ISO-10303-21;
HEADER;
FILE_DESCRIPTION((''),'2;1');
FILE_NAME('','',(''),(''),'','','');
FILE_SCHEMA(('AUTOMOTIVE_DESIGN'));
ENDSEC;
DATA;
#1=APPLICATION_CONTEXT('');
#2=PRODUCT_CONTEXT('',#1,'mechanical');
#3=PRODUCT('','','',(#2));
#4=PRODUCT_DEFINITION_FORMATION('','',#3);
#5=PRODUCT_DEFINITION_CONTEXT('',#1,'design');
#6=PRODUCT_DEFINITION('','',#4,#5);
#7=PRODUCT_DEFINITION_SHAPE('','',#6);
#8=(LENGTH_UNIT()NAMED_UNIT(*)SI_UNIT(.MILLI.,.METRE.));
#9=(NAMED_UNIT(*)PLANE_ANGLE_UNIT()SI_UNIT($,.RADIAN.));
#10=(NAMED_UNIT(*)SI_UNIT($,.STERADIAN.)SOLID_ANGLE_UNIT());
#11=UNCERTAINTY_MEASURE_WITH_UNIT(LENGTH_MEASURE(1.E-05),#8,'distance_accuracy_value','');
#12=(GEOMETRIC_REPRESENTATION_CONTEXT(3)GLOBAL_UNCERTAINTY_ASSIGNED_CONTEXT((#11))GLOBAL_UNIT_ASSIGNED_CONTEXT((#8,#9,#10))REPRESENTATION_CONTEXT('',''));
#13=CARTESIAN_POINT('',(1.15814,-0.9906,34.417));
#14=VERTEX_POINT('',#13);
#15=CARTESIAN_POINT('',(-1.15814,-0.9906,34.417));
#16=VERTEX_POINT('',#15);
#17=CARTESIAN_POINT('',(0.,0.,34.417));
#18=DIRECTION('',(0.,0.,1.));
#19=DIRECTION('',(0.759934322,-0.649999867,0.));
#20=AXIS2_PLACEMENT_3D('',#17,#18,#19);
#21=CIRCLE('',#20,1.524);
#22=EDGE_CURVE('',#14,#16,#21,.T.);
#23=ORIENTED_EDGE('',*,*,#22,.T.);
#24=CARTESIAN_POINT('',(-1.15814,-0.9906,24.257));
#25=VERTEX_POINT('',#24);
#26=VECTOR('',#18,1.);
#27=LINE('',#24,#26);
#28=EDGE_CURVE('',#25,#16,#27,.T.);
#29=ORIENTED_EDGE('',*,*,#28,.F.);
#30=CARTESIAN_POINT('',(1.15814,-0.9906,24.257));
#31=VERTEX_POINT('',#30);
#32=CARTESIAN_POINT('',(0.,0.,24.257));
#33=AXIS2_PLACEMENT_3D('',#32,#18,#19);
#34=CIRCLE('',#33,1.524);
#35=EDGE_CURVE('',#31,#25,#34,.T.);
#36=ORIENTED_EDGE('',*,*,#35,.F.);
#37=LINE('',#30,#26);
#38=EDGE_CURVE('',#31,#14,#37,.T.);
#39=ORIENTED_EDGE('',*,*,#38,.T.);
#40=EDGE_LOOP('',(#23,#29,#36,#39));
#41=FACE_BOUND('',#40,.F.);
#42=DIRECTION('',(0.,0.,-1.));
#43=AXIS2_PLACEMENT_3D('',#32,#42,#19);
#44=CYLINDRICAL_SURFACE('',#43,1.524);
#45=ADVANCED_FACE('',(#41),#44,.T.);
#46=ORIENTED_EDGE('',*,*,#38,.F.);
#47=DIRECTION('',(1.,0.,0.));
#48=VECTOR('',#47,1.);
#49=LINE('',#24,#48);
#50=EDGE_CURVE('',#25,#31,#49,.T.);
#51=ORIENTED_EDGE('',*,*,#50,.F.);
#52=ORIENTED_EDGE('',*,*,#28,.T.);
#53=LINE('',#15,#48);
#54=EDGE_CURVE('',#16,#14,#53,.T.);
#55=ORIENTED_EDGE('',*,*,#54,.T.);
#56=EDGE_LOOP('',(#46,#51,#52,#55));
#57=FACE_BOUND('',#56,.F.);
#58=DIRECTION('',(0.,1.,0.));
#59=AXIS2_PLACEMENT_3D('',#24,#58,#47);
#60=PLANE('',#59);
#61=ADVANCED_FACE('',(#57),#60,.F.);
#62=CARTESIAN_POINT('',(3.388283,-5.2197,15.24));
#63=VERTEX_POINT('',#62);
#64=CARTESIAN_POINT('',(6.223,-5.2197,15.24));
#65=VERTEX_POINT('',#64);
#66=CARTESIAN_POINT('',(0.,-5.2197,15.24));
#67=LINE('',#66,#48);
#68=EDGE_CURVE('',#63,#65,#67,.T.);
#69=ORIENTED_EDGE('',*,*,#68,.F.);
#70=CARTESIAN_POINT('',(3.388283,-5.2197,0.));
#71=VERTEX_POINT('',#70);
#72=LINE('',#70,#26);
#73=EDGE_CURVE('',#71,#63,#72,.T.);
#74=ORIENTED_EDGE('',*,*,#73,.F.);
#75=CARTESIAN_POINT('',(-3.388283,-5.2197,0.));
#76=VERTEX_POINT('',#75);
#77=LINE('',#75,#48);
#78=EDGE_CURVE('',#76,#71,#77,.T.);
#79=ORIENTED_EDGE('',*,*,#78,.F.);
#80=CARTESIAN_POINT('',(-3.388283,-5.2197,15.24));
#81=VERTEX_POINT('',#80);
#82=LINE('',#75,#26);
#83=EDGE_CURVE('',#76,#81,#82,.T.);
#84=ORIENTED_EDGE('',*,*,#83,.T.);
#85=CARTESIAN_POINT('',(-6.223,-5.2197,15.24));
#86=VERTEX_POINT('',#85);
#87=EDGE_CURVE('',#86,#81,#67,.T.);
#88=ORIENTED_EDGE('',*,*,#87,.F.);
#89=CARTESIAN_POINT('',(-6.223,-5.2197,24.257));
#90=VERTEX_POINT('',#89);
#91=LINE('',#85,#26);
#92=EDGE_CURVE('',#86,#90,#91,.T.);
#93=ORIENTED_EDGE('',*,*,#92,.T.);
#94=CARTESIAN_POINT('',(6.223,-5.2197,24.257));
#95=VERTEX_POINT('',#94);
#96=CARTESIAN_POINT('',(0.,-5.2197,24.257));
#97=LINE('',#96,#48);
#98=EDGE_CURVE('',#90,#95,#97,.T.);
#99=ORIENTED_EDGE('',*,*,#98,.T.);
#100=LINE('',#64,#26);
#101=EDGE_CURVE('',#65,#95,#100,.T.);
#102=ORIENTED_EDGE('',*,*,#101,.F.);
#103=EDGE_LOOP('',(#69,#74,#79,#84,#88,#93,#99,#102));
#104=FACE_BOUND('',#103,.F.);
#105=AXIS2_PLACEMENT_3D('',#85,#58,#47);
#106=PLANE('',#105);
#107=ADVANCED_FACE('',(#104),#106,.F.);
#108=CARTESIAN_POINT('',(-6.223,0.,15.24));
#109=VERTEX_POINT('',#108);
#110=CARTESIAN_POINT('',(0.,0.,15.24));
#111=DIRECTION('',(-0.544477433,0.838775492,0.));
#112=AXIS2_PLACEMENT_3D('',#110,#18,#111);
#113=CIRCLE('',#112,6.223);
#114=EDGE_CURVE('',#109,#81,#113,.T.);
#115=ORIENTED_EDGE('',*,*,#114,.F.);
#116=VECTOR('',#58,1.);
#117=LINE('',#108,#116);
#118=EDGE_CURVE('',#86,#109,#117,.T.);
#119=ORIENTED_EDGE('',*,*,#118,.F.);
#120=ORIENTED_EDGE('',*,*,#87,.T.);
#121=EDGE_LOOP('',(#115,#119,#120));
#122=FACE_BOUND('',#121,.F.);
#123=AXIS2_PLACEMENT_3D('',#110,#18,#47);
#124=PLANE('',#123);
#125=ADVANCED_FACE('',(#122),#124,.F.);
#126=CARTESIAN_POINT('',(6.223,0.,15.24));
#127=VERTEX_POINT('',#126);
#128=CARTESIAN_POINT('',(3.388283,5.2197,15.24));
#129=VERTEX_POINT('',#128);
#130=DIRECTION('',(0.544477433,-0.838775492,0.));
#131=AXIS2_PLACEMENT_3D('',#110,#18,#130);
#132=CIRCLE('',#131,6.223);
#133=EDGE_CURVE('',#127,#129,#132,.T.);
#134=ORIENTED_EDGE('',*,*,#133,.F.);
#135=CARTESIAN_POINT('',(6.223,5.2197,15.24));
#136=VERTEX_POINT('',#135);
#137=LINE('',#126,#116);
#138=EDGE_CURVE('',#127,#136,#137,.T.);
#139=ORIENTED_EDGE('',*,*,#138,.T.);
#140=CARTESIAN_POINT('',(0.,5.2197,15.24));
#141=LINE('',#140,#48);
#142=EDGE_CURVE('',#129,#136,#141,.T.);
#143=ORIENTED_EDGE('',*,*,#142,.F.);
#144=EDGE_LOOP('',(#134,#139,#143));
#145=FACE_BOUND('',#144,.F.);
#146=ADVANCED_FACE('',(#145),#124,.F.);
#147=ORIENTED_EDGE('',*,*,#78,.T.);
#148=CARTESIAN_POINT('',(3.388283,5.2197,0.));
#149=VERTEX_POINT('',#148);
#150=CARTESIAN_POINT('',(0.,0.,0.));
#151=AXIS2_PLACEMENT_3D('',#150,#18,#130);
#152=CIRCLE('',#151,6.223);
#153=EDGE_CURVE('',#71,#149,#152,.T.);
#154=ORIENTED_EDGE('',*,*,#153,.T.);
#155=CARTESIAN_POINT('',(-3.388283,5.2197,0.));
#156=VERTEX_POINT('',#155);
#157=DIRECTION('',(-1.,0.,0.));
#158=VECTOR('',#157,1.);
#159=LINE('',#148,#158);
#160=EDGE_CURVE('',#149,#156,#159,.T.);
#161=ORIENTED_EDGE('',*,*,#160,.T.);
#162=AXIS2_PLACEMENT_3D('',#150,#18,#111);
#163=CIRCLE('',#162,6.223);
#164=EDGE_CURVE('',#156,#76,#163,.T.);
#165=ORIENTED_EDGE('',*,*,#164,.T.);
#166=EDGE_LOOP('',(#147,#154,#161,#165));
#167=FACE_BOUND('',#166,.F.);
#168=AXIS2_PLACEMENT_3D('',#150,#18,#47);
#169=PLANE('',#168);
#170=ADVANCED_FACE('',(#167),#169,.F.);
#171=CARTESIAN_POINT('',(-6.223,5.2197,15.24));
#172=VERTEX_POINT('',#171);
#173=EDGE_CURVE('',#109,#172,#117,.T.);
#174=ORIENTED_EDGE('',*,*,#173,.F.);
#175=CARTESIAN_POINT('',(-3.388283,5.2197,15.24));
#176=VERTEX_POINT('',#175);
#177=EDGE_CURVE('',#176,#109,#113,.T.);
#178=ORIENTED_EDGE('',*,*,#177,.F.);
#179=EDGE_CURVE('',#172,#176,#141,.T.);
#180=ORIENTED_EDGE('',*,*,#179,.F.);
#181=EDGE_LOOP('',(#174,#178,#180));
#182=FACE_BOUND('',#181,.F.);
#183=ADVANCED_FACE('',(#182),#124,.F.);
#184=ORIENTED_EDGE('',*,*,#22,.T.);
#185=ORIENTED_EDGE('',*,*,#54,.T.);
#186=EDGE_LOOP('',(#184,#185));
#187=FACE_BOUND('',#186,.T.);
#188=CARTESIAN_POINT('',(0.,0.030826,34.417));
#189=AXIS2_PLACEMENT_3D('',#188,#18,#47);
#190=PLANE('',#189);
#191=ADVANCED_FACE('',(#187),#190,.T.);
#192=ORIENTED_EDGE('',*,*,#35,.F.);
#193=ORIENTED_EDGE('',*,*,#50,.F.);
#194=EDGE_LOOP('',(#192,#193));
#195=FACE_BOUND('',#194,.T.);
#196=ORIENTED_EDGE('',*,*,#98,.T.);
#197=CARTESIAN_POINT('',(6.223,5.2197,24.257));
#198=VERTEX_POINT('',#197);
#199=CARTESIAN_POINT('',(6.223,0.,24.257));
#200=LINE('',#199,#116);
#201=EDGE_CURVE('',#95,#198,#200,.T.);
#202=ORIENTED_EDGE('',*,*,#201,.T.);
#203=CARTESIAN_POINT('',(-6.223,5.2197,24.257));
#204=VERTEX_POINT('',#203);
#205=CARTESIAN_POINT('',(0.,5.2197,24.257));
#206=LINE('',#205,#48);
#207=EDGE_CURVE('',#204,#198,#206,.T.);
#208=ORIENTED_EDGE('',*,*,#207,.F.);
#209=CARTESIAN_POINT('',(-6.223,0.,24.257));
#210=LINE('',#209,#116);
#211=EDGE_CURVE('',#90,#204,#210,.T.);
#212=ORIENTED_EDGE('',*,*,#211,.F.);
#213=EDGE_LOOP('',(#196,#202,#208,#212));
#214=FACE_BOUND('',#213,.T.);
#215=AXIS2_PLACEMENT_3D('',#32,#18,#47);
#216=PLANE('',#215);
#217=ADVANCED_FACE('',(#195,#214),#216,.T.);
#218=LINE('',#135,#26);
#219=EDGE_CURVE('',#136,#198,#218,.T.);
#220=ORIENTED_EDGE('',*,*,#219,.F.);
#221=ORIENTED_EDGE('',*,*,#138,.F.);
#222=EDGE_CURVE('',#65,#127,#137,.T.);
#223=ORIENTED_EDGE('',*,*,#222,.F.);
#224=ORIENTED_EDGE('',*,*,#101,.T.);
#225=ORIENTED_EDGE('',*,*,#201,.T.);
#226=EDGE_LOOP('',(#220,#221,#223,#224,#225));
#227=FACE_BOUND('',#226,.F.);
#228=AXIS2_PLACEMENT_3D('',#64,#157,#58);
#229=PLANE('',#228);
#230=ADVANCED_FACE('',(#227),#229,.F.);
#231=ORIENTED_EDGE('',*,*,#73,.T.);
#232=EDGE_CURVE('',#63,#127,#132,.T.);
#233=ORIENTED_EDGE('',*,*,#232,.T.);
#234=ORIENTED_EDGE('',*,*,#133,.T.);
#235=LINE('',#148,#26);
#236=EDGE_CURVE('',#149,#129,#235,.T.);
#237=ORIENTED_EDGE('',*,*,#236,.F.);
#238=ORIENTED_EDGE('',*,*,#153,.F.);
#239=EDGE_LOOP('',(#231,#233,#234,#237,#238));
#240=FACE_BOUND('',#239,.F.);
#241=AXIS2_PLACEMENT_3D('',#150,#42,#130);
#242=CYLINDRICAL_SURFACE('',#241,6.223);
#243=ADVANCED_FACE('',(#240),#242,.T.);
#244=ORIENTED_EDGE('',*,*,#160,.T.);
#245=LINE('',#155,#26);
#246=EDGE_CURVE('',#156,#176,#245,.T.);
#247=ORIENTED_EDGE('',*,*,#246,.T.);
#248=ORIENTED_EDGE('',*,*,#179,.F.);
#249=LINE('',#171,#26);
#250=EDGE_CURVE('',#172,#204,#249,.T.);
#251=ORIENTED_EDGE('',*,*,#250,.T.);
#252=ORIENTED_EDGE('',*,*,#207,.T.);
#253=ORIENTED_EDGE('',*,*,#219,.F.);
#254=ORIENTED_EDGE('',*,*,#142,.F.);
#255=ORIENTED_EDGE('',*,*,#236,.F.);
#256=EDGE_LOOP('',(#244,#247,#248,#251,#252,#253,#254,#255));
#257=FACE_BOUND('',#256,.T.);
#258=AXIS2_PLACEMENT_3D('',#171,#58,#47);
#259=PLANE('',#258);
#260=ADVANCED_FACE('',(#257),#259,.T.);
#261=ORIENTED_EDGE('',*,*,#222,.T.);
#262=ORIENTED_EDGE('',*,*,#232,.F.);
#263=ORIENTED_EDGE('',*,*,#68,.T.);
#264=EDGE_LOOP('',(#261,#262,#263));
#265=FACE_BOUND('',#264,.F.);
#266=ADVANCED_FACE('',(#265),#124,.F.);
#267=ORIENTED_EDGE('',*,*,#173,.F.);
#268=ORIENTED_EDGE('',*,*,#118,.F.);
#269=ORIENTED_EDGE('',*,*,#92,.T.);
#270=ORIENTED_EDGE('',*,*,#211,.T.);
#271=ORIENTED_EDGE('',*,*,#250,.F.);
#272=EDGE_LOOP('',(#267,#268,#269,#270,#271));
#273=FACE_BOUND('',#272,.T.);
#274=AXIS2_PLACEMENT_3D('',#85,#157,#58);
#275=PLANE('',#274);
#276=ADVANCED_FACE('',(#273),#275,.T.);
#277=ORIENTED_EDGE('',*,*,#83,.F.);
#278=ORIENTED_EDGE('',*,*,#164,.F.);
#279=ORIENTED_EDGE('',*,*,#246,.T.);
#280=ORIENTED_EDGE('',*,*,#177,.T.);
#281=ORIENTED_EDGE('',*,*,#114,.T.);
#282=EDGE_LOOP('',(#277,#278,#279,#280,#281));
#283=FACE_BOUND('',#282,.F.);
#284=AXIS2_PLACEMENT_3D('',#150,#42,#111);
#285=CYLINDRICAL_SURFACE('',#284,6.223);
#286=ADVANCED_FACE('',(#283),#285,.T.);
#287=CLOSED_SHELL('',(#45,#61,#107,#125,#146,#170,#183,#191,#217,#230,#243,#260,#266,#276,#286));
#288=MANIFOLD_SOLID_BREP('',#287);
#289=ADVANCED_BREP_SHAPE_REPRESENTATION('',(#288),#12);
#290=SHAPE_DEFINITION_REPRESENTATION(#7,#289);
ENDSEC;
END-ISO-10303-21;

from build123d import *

# Parameters (mm, degrees)
F1_DEPTH = 15.24
F2_W     = 12.446
F2_H     = 10.4394
F3_DEPTH = 9.017
F5_DEPTH = 10.16


with BuildPart() as f1:
    # F0 (on Top) → F1 (new body)
    with BuildSketch(Plane.XY):
        with BuildLine():
            Line((3.388283, 5.2197), (-3.388283, 5.2197))
            ThreePointArc((-3.388283, 5.2197), (-6.223, 0), (-3.388283, -5.2197))
            Line((-3.388283, -5.2197), (3.388283, -5.2197))
            ThreePointArc((3.388283, -5.2197), (6.223, 0), (3.388283, 5.2197))
        make_face()
    extrude(amount=F1_DEPTH)

    # F2 (on face) → F3 (join)
    with BuildSketch(Plane.XY.offset(15.24)):
        Rectangle(F2_W, F2_H)
    extrude(amount=F3_DEPTH)

    # F4 (on face) → F5 (join)
    with BuildSketch(Plane.XY.offset(24.257)):
        with BuildLine():
            Line((-1.15814, -0.9906), (1.15814, -0.9906))
            ThreePointArc((1.15814, -0.9906), (0, 1.524), (-1.15814, -0.9906))
        make_face()
    extrude(amount=F5_DEPTH)


solid = f1.part
